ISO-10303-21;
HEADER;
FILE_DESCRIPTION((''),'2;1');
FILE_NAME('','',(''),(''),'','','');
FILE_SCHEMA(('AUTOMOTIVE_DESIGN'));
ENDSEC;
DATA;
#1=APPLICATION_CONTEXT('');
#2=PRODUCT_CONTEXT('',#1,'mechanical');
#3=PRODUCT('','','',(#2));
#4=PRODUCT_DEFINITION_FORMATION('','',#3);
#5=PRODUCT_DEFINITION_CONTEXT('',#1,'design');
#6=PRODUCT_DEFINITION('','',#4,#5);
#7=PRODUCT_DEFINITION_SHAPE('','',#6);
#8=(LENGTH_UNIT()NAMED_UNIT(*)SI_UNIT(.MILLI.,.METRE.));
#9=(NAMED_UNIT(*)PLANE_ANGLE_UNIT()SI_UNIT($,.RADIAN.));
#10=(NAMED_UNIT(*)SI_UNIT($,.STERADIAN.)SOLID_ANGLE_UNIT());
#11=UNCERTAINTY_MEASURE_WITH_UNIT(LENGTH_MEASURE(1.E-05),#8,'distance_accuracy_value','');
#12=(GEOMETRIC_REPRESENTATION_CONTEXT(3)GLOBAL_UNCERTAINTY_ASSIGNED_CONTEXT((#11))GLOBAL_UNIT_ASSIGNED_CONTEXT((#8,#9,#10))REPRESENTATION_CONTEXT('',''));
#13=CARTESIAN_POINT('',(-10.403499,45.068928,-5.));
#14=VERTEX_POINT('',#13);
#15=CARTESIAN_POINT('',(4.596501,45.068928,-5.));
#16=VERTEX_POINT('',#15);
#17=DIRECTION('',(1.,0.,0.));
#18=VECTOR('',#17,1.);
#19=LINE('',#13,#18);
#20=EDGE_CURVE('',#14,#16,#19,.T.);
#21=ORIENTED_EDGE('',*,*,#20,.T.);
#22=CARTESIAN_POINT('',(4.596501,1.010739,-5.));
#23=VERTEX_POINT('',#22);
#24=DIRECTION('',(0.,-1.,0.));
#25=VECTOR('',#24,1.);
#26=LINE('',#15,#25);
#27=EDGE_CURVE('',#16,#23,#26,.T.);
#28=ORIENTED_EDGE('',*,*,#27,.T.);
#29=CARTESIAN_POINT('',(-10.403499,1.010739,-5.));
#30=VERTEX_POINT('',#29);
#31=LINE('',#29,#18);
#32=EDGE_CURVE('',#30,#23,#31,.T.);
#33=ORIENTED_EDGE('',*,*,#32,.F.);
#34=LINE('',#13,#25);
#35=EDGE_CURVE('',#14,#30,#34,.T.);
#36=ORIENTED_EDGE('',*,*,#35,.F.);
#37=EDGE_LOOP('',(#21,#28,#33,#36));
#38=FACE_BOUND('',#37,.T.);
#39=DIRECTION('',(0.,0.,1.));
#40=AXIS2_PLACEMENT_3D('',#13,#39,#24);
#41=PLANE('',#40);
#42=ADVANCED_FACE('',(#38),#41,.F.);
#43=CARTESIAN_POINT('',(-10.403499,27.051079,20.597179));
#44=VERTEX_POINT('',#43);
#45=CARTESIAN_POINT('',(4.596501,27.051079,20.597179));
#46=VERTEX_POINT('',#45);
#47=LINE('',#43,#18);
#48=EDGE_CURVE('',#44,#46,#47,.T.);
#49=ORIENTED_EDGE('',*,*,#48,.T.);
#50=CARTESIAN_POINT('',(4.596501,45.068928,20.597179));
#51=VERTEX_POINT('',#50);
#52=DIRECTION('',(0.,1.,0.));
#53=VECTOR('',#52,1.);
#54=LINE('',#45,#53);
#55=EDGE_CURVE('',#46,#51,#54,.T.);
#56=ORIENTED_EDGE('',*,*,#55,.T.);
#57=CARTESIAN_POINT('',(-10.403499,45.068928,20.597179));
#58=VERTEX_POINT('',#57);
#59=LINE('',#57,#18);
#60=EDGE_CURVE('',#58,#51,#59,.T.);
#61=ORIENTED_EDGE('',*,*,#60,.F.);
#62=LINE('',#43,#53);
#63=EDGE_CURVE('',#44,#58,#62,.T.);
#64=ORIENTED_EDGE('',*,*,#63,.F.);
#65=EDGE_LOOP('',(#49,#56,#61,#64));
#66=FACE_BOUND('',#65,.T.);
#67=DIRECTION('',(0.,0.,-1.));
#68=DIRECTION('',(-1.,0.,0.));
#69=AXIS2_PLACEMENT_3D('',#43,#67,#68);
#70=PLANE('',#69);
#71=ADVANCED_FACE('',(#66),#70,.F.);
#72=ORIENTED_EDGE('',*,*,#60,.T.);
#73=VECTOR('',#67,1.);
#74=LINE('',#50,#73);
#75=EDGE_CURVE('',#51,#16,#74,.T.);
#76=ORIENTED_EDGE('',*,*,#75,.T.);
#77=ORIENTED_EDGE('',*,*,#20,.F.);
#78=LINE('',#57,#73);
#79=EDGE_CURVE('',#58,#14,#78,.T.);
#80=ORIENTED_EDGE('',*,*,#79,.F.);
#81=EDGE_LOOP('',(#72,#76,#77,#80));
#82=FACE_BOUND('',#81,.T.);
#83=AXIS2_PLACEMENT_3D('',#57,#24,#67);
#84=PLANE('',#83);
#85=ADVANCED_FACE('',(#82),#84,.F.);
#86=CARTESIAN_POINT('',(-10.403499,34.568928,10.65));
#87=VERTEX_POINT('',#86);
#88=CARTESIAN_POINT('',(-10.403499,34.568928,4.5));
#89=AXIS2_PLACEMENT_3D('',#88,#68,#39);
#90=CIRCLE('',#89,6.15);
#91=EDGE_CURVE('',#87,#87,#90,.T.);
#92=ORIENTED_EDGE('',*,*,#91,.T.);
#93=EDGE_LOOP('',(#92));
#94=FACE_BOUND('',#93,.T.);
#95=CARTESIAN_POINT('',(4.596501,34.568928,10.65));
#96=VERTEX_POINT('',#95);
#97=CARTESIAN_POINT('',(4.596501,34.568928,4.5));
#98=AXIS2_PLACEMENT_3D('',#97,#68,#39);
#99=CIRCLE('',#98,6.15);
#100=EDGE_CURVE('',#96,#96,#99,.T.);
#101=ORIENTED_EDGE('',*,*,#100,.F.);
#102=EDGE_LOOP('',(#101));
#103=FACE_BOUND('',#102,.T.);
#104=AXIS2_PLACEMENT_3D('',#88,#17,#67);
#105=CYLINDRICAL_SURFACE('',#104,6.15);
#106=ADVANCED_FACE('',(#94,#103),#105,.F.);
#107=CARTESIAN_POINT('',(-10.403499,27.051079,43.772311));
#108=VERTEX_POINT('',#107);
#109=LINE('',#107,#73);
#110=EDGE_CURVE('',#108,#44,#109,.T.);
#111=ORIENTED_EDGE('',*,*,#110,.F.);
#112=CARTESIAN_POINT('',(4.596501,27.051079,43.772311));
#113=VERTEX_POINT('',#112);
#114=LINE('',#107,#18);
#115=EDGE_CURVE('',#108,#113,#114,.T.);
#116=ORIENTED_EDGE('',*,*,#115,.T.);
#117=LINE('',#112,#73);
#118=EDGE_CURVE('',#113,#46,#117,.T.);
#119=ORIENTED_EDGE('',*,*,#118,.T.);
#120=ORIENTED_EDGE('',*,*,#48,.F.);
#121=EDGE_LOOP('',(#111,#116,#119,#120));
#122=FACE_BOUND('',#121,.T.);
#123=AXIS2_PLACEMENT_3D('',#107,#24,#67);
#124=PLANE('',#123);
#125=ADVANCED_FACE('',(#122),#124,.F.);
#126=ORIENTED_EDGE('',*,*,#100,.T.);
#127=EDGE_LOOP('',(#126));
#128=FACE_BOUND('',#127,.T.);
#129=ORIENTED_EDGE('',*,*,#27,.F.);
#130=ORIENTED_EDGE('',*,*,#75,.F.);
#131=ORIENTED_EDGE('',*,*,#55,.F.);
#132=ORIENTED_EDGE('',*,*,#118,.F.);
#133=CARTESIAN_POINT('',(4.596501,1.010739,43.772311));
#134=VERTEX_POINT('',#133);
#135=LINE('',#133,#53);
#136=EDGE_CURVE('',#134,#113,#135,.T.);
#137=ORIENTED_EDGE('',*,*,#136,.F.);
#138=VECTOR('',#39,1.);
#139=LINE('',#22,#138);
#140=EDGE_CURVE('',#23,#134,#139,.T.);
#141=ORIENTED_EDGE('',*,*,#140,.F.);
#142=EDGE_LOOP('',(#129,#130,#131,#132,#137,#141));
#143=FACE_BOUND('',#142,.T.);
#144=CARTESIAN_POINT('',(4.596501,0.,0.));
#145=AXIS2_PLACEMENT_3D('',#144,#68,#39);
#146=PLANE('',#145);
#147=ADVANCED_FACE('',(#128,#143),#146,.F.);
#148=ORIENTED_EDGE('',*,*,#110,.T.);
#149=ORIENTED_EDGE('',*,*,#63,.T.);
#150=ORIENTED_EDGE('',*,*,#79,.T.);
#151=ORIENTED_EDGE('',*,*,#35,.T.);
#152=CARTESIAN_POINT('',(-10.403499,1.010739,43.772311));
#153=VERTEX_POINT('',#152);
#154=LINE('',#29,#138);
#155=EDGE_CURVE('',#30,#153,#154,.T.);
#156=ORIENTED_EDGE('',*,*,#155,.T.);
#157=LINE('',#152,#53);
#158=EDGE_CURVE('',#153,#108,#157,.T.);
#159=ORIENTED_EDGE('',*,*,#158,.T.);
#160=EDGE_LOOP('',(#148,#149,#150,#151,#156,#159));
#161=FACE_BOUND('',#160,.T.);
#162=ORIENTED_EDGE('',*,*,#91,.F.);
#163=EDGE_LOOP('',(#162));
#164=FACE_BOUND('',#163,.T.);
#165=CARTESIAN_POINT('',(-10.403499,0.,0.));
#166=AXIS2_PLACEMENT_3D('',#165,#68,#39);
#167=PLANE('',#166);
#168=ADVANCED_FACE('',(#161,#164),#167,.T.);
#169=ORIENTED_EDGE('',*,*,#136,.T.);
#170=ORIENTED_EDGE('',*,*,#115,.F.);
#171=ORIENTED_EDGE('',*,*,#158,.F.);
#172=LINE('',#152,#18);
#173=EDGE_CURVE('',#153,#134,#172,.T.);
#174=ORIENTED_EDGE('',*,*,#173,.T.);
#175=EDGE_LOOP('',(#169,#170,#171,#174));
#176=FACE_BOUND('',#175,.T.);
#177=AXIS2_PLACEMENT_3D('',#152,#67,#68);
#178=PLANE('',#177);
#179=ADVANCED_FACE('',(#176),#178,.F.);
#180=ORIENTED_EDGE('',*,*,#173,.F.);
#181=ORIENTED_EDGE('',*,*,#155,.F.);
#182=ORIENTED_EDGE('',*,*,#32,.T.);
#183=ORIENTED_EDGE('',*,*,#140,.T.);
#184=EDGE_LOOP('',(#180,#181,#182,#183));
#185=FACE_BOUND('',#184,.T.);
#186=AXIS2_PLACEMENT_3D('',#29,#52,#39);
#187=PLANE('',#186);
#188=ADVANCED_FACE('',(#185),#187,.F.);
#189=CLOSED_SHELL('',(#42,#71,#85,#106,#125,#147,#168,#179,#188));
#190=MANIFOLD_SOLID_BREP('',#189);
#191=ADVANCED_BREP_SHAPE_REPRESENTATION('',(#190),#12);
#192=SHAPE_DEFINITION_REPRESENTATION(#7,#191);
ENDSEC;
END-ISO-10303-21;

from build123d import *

# Parameters (mm, degrees)
SKETCH1_W            = 42.5
SKETCH1_H            = 55.85
BOSS_EXTRUDE2_DEPTH  = 42.5
SKETCH5_R            = 3
CUT_EXTRUDE2_DEPTH   = 42.5
SKETCH6_W            = 42.5
SKETCH6_H            = 42.5
CUT_EXTRUDE3_DEPTH   = 39.5
SKETCH7_R            = 12
SKETCH7_R_2          = 1.5
CUT_EXTRUDE4_DEPTH   = 39.5
SKETCH9_W            = 10
SKETCH9_H            = 42.5
CUT_EXTRUDE5_DEPTH   = 39.5
CHAMFER1_SIZE        = 3
CHAMFER2_SIZE        = 2
SKETCH10_W           = 2
SKETCH10_H           = 2.21509362
BOSS_EXTRUDE3_DEPTH  = 3
SKETCH12_W           = 2
SKETCH12_H           = 3
BOSS_EXTRUDE4_DEPTH  = 3
BOSS_EXTRUDE5_DEPTH  = 2
BOSS_EXTRUDE6_DEPTH  = 2
SKETCH16_W           = 9
SKETCH16_H           = 9
SKETCH16_R           = 3.175
BOSS_EXTRUDE8_DEPTH  = 5
SKETCH17_R           = 3
CUT_EXTRUDE6_DEPTH   = 5
SKETCH18_W           = 9
SKETCH18_H           = 7.183282928
BOSS_EXTRUDE9_DEPTH  = 2
SKETCH19_R           = 3.175
CUT_EXTRUDE7_DEPTH   = 5
SKETCH20_W           = 36.5
SKETCH20_H           = 45.349147475
CUT_EXTRUDE9_DEPTH   = 66
CUT_EXTRUDE10_DEPTH  = 66
SKETCH22_R           = 12
SKETCH22_R_2         = 11.45
SKETCH22_R_3         = 1.5
SKETCH22_R_4         = 1.55
BOSS_EXTRUDE13_DEPTH = 3
SKETCH23_W           = 42.5
SKETCH23_H           = 7.46509362
CUT_EXTRUDE11_DEPTH  = 3
CHAMFER3_SIZE        = 2
SKETCH24_R           = 13.75
SKETCH24_R_2         = 11.45
BOSS_EXTRUDE14_DEPTH = 4
BOSS_EXTRUDE15_START = 10
SKETCH25_W           = 42.5
SKETCH25_H           = 33.508189308
SKETCH25_R           = 3.175
BOSS_EXTRUDE15_DEPTH = 10
CUT_EXTRUDE12_DEPTH  = 142
CHAMFER4_SIZE        = 10
SKETCH27_W           = 1.831902159
SKETCH27_H           = 1.026975453
BOSS_EXTRUDE16_DEPTH = 0.2
SKETCH28_R           = 3.175
BOSS_EXTRUDE17_DEPTH = 10
SKETCH29_R           = 6.15
BOSS_EXTRUDE19_DEPTH = 15
CUT_EXTRUDE13_DEPTH  = 50


with BuildPart() as part:
    # Sketch1 → Boss-Extrude2 (new body)
    with BuildSketch(Plane.XY):
        with Locations((-16.653499003, 3.960644895)):
            Rectangle(SKETCH1_W, SKETCH1_H)
    extrude(amount=BOSS_EXTRUDE2_DEPTH)

    # Sketch5 → Cut-Extrude2 (cut)
    with BuildSketch(Plane.XY.offset(42.5)):
        with Locations((-31.903499003, 25.965832134)):
            Circle(SKETCH5_R)
        with Locations(Location((-1.403499003, 25.965832134, 0), (0, 0, 180))):
            Circle(SKETCH5_R)
    extrude(amount=-CUT_EXTRUDE2_DEPTH, mode=Mode.SUBTRACT)

    # Sketch6 → Cut-Extrude3 (cut)
    with BuildSketch(Plane.ZY.offset(37.903499003)):
        with Locations((21.25, -0.499261485)):
            Rectangle(SKETCH6_W, SKETCH6_H)
    extrude(amount=-CUT_EXTRUDE3_DEPTH, mode=Mode.SUBTRACT)

    # Sketch7 → Cut-Extrude4 (cut)
    with BuildSketch(Plane(origin=(4.596500997, 0, 0), x_dir=(0, 0, -1), z_dir=(1, 0, 0))):
        with Locations((-21.25, -0.499261485)):
            Circle(SKETCH7_R)
        with Locations((-37, -16.249261485)):
            Circle(SKETCH7_R_2)
        with Locations((-5.5, -16.249261485)):
            Circle(SKETCH7_R_2)
        with Locations((-37, 14.750738515)):
            Circle(SKETCH7_R_2)
        with Locations((-5.5, 14.750738515)):
            Circle(SKETCH7_R_2)
    extrude(amount=-CUT_EXTRUDE4_DEPTH, mode=Mode.SUBTRACT)

    # Sketch9 → Cut-Extrude5 (cut)
    with BuildSketch(Plane.XZ.offset(23.964355105)):
        with Locations((-32.903499003, 21.25)):
            Rectangle(SKETCH9_W, SKETCH9_H)
    extrude(amount=-CUT_EXTRUDE5_DEPTH, mode=Mode.SUBTRACT)

    # Chamfer1
    chamfer1_edges = [part.edges().sort_by_distance(p)[0] for p in [
        (-37.903499003, 20.750738515, 21.25),
        (-37.903499003, 31.885644895, 21.25),
    ]]
    chamfer(chamfer1_edges, length=CHAMFER1_SIZE)

    # Chamfer2
    chamfer2_edges = [part.edges().sort_by_distance(p)[0] for p in [
        (4.596500997, -23.964355105, 21.25),
    ]]
    chamfer(chamfer2_edges, length=CHAMFER2_SIZE)

    # Sketch10 → Boss-Extrude3 (add)
    with BuildSketch(Plane.ZY.offset(27.903499003)):
        with Locations((43.5, -22.856808295)):
            Rectangle(SKETCH10_W, SKETCH10_H)
        with Locations((-1, -22.856808295)):
            Rectangle(SKETCH10_W, SKETCH10_H)
    extrude(amount=-BOSS_EXTRUDE3_DEPTH)

    # Sketch12 → Boss-Extrude4 (add)
    with BuildSketch(Plane.ZY.offset(-1.596500997)):
        with Locations((43.5, 19.250738515)):
            Rectangle(SKETCH12_W, SKETCH12_H)
        with Locations((-1, 19.250738515)):
            Rectangle(SKETCH12_W, SKETCH12_H)
    extrude(amount=-BOSS_EXTRUDE4_DEPTH)

    # Sketch13 → Boss-Extrude5 (add)
    with BuildSketch(Plane(origin=(0, 0, -2), x_dir=(-1, 0, 0), z_dir=(0, 0, -1))):
        Polygon((-1.596500997, 17.750738515), (24.903499003, -21.749261485), (27.903499003, -21.749261485), (-1.596500997, 20.750738515), align=None)
    extrude(amount=-BOSS_EXTRUDE5_DEPTH)

    # Sketch14 → Boss-Extrude6 (add)
    with BuildSketch(Plane.XY.offset(44.5)):
        Polygon((1.596500997, 17.750738515), (-24.903499003, -21.749261485), (-27.903499003, -21.749261485), (1.596500997, 20.750738515), align=None)
    extrude(amount=-BOSS_EXTRUDE6_DEPTH)

    # Sketch16 → Boss-Extrude8 (add)
    # profile 1 of 2: a face of its own
    with BuildSketch(Plane(origin=(4.596500997, 0, 0), x_dir=(0, 0, -1), z_dir=(1, 0, 0))):
        with Locations((-38, 34.568927823)):
            Rectangle(SKETCH16_W, SKETCH16_H)
        with Locations((-38, 34.568927823)):
            Circle(SKETCH16_R, mode=Mode.SUBTRACT)
    # profile 2 of 2: a face of its own
    with BuildSketch(Plane(origin=(4.596500997, 0, 0), x_dir=(0, 0, -1), z_dir=(1, 0, 0))):
        with Locations((-4.5, 34.568927823)):
            Rectangle(SKETCH16_W, SKETCH16_H)
        with Locations((-4.5, 34.568927823)):
            Circle(SKETCH16_R, mode=Mode.SUBTRACT)
    extrude(amount=-BOSS_EXTRUDE8_DEPTH)

    # Sketch17 → Cut-Extrude6 (cut)
    with BuildSketch(Plane(origin=(4.596500997, 0, 0), x_dir=(0, 0, -1), z_dir=(1, 0, 0))):
        with Locations((-38, 34.568927823)):
            Circle(SKETCH17_R)
        with Locations((-4.5, 34.568927823)):
            Circle(SKETCH17_R)
    extrude(amount=-CUT_EXTRUDE6_DEPTH, mode=Mode.SUBTRACT)

    # Sketch18 → Boss-Extrude9 (add)
    with BuildSketch(Plane.ZY.offset(0.403499003)):
        with Locations((4.5, 35.477286359)):
            Rectangle(SKETCH18_W, SKETCH18_H)
        with Locations((38, 35.477286359)):
            Rectangle(SKETCH18_W, SKETCH18_H)
    extrude(amount=BOSS_EXTRUDE9_DEPTH)

    # Sketch19 → Cut-Extrude7 (cut)
    with BuildSketch(Plane(origin=(4.596500997, 0, 0), x_dir=(0, 0, -1), z_dir=(1, 0, 0))):
        with Locations((-38, 34.568927823)):
            Circle(SKETCH19_R)
        with Locations(Location((-4.5, 34.568927823, 0), (0, 0, 180))):
            Circle(SKETCH19_R)
    extrude(amount=-CUT_EXTRUDE7_DEPTH, mode=Mode.SUBTRACT)

    # Sketch20 → Cut-Extrude9 (cut, symmetric)
    with BuildSketch(Plane.XY.offset(42.5)):
        with Locations((-16.653499003, -1.923835222)):
            Rectangle(SKETCH20_W, SKETCH20_H)
    extrude(amount=CUT_EXTRUDE9_DEPTH, both=True, mode=Mode.SUBTRACT)

    # Sketch21 → Cut-Extrude10 (cut, symmetric)
    with BuildSketch(Plane(origin=(4.596500997, 0, 0), x_dir=(0, 0, -1), z_dir=(1, 0, 0))):
        Polygon((0, 39.068927823), (0, -21.964355105), (2.461652374, -21.964355105), (3.037977258, 39.068927823), (0.568013469, 39.068927823), align=None)
        Polygon((-42.5, 39.068927823), (-42.5, -21.964355105), (-44.961652374, -21.964355105), (-45.537977258, 39.068927823), (-43.068013469, 39.068927823), align=None)
    extrude(amount=CUT_EXTRUDE10_DEPTH, both=True, mode=Mode.SUBTRACT)

    # Sketch22 → Boss-Extrude13 (add)
    # profile 1 of 5: a face of its own
    with BuildSketch(Plane(origin=(4.596500997, 0, 0), x_dir=(0, 0, -1), z_dir=(1, 0, 0))):
        with Locations((-21.25, -0.499261485)):
            Circle(SKETCH22_R)
        with Locations((-21.25, -0.499261485)):
            Circle(SKETCH22_R_2, mode=Mode.SUBTRACT)
    # profile 2 of 5: a face of its own
    with BuildSketch(Plane(origin=(4.596500997, 0, 0), x_dir=(0, 0, -1), z_dir=(1, 0, 0))):
        with Locations((-37, 14.750738515)):
            Circle(SKETCH22_R_3)
    # profile 3 of 5: a face of its own
    with BuildSketch(Plane(origin=(4.596500997, 0, 0), x_dir=(0, 0, -1), z_dir=(1, 0, 0))):
        with Locations((-5.524563877, 14.750738515)):
            Circle(SKETCH22_R_4)
    # profile 4 of 5: a face of its own
    with BuildSketch(Plane(origin=(4.596500997, 0, 0), x_dir=(0, 0, -1), z_dir=(1, 0, 0))):
        with Locations((-5.5, -16.249261485)):
            Circle(SKETCH22_R_3)
    # profile 5 of 5: a face of its own
    with BuildSketch(Plane(origin=(4.596500997, 0, 0), x_dir=(0, 0, -1), z_dir=(1, 0, 0))):
        with Locations((-37, -16.249261485)):
            Circle(SKETCH22_R_3)
    extrude(amount=-BOSS_EXTRUDE13_DEPTH)

    # Sketch23 → Cut-Extrude11 (cut)
    with BuildSketch(Plane(origin=(4.596500997, 0, 0), x_dir=(0, 0, -1), z_dir=(1, 0, 0))):
        with Locations((-21.25, -20.231808295)):
            Rectangle(SKETCH23_W, SKETCH23_H)
    extrude(amount=-CUT_EXTRUDE11_DEPTH, mode=Mode.SUBTRACT)

    # Chamfer3
    chamfer3_edges = [part.edges().sort_by_distance(p)[0] for p in [
        (4.596500997, -16.499261485, 21.25),
    ]]
    chamfer(chamfer3_edges, length=CHAMFER3_SIZE)

    # Sketch24 → Boss-Extrude14 (add)
    with BuildSketch(Plane.ZY.offset(-1.596500997)):
        with Locations(Location((21.25, -0.499261485, 0), (0, 0, 180))):
            Circle(SKETCH24_R)
        with Locations(Location((21.25, -0.499261485, 0), (0, 0, 180))):
            Circle(SKETCH24_R_2, mode=Mode.SUBTRACT)
    extrude(amount=BOSS_EXTRUDE14_DEPTH)

    # Sketch25 → Boss-Extrude15 (add)
    with BuildSketch(Plane(origin=(4.596500997, 0, 0), x_dir=(0, 0, -1), z_dir=(1, 0, 0)).offset(BOSS_EXTRUDE15_START)):
        with Locations((-21.25, 22.314833169)):
            Rectangle(SKETCH25_W, SKETCH25_H)
        with Locations((-38, 34.568927823)):
            Circle(SKETCH25_R, mode=Mode.SUBTRACT)
        with Locations((-4.5, 34.568927823)):
            Circle(SKETCH25_R, mode=Mode.SUBTRACT)
    extrude(amount=-BOSS_EXTRUDE15_DEPTH)

    # Sketch26 → Cut-Extrude12 (cut)
    with BuildSketch(Plane(origin=(0, 0, 0), x_dir=(-1, 0, 0), z_dir=(0, 0, -1))):
        Polygon((-4.596500997, 39.068927823), (-4.596500997, -17.856619688), (37.419914356, -17.856619688), (42.573197426, 39.068927823), align=None)
    extrude(amount=-CUT_EXTRUDE12_DEPTH, mode=Mode.SUBTRACT)

    # Chamfer4
    chamfer4_edges = [part.edges().sort_by_distance(p)[0] for p in [
        (9.596500997, 5.560738515, 42.5),
        (9.596500997, 5.560738515, 0),
    ]]
    chamfer(chamfer4_edges, length=CHAMFER4_SIZE)

    # Sketch27 → Boss-Extrude16 (add)
    with BuildSketch(Plane.XZ.offset(-5.560738515)):
        with Locations((11.95576893, 21.763487727)):
            Rectangle(SKETCH27_W, SKETCH27_H)
    extrude(amount=BOSS_EXTRUDE16_DEPTH)

    # Sketch28 → Boss-Extrude17 (add)
    with BuildSketch(Plane(origin=(14.596500997, 0, 0), x_dir=(0, 0, -1), z_dir=(1, 0, 0))):
        Polygon((-42.578884897, 40.068927823), (0, 40.068927823), (1, 40.068927823), (1, 15.146524953), (-8.635786438, 5.510738515), (-33.864213562, 5.510738515), (-43.5, 15.146524953), (-43.5, 40.068927823), align=None)
        with Locations((-38, 34.568927823)):
            Circle(SKETCH28_R, mode=Mode.SUBTRACT)
        with Locations((-4.5, 34.568927823)):
            Circle(SKETCH28_R, mode=Mode.SUBTRACT)
    extrude(amount=-BOSS_EXTRUDE17_DEPTH)

    # Sketch29 → Boss-Extrude19 (add)
    with BuildSketch(Plane.ZY.offset(-4.596500997)):
        Polygon((-5, 45.068927823), (-5, 1.010738515), (43.772310913, 1.010738515), (43.772310913, 27.051079093), (20.597179394, 27.051079093), (20.597179394, 45.068927823), align=None)
        with Locations(Location((4.5, 34.568927823, 0), (0, 0, 153.419803228))):
            Circle(SKETCH29_R, mode=Mode.SUBTRACT)
    extrude(amount=BOSS_EXTRUDE19_DEPTH)

    # Sketch30 → Cut-Extrude13 (cut)
    with BuildSketch(Plane.XY.offset(43.772310913)):
        Polygon((4.596500997, 40.068927823), (4.596500997, 5.510738515), (14.596500997, 4.365687142), (14.596500997, 40.068927823), align=None)
    extrude(amount=-CUT_EXTRUDE13_DEPTH, mode=Mode.SUBTRACT)


solid = part.part
